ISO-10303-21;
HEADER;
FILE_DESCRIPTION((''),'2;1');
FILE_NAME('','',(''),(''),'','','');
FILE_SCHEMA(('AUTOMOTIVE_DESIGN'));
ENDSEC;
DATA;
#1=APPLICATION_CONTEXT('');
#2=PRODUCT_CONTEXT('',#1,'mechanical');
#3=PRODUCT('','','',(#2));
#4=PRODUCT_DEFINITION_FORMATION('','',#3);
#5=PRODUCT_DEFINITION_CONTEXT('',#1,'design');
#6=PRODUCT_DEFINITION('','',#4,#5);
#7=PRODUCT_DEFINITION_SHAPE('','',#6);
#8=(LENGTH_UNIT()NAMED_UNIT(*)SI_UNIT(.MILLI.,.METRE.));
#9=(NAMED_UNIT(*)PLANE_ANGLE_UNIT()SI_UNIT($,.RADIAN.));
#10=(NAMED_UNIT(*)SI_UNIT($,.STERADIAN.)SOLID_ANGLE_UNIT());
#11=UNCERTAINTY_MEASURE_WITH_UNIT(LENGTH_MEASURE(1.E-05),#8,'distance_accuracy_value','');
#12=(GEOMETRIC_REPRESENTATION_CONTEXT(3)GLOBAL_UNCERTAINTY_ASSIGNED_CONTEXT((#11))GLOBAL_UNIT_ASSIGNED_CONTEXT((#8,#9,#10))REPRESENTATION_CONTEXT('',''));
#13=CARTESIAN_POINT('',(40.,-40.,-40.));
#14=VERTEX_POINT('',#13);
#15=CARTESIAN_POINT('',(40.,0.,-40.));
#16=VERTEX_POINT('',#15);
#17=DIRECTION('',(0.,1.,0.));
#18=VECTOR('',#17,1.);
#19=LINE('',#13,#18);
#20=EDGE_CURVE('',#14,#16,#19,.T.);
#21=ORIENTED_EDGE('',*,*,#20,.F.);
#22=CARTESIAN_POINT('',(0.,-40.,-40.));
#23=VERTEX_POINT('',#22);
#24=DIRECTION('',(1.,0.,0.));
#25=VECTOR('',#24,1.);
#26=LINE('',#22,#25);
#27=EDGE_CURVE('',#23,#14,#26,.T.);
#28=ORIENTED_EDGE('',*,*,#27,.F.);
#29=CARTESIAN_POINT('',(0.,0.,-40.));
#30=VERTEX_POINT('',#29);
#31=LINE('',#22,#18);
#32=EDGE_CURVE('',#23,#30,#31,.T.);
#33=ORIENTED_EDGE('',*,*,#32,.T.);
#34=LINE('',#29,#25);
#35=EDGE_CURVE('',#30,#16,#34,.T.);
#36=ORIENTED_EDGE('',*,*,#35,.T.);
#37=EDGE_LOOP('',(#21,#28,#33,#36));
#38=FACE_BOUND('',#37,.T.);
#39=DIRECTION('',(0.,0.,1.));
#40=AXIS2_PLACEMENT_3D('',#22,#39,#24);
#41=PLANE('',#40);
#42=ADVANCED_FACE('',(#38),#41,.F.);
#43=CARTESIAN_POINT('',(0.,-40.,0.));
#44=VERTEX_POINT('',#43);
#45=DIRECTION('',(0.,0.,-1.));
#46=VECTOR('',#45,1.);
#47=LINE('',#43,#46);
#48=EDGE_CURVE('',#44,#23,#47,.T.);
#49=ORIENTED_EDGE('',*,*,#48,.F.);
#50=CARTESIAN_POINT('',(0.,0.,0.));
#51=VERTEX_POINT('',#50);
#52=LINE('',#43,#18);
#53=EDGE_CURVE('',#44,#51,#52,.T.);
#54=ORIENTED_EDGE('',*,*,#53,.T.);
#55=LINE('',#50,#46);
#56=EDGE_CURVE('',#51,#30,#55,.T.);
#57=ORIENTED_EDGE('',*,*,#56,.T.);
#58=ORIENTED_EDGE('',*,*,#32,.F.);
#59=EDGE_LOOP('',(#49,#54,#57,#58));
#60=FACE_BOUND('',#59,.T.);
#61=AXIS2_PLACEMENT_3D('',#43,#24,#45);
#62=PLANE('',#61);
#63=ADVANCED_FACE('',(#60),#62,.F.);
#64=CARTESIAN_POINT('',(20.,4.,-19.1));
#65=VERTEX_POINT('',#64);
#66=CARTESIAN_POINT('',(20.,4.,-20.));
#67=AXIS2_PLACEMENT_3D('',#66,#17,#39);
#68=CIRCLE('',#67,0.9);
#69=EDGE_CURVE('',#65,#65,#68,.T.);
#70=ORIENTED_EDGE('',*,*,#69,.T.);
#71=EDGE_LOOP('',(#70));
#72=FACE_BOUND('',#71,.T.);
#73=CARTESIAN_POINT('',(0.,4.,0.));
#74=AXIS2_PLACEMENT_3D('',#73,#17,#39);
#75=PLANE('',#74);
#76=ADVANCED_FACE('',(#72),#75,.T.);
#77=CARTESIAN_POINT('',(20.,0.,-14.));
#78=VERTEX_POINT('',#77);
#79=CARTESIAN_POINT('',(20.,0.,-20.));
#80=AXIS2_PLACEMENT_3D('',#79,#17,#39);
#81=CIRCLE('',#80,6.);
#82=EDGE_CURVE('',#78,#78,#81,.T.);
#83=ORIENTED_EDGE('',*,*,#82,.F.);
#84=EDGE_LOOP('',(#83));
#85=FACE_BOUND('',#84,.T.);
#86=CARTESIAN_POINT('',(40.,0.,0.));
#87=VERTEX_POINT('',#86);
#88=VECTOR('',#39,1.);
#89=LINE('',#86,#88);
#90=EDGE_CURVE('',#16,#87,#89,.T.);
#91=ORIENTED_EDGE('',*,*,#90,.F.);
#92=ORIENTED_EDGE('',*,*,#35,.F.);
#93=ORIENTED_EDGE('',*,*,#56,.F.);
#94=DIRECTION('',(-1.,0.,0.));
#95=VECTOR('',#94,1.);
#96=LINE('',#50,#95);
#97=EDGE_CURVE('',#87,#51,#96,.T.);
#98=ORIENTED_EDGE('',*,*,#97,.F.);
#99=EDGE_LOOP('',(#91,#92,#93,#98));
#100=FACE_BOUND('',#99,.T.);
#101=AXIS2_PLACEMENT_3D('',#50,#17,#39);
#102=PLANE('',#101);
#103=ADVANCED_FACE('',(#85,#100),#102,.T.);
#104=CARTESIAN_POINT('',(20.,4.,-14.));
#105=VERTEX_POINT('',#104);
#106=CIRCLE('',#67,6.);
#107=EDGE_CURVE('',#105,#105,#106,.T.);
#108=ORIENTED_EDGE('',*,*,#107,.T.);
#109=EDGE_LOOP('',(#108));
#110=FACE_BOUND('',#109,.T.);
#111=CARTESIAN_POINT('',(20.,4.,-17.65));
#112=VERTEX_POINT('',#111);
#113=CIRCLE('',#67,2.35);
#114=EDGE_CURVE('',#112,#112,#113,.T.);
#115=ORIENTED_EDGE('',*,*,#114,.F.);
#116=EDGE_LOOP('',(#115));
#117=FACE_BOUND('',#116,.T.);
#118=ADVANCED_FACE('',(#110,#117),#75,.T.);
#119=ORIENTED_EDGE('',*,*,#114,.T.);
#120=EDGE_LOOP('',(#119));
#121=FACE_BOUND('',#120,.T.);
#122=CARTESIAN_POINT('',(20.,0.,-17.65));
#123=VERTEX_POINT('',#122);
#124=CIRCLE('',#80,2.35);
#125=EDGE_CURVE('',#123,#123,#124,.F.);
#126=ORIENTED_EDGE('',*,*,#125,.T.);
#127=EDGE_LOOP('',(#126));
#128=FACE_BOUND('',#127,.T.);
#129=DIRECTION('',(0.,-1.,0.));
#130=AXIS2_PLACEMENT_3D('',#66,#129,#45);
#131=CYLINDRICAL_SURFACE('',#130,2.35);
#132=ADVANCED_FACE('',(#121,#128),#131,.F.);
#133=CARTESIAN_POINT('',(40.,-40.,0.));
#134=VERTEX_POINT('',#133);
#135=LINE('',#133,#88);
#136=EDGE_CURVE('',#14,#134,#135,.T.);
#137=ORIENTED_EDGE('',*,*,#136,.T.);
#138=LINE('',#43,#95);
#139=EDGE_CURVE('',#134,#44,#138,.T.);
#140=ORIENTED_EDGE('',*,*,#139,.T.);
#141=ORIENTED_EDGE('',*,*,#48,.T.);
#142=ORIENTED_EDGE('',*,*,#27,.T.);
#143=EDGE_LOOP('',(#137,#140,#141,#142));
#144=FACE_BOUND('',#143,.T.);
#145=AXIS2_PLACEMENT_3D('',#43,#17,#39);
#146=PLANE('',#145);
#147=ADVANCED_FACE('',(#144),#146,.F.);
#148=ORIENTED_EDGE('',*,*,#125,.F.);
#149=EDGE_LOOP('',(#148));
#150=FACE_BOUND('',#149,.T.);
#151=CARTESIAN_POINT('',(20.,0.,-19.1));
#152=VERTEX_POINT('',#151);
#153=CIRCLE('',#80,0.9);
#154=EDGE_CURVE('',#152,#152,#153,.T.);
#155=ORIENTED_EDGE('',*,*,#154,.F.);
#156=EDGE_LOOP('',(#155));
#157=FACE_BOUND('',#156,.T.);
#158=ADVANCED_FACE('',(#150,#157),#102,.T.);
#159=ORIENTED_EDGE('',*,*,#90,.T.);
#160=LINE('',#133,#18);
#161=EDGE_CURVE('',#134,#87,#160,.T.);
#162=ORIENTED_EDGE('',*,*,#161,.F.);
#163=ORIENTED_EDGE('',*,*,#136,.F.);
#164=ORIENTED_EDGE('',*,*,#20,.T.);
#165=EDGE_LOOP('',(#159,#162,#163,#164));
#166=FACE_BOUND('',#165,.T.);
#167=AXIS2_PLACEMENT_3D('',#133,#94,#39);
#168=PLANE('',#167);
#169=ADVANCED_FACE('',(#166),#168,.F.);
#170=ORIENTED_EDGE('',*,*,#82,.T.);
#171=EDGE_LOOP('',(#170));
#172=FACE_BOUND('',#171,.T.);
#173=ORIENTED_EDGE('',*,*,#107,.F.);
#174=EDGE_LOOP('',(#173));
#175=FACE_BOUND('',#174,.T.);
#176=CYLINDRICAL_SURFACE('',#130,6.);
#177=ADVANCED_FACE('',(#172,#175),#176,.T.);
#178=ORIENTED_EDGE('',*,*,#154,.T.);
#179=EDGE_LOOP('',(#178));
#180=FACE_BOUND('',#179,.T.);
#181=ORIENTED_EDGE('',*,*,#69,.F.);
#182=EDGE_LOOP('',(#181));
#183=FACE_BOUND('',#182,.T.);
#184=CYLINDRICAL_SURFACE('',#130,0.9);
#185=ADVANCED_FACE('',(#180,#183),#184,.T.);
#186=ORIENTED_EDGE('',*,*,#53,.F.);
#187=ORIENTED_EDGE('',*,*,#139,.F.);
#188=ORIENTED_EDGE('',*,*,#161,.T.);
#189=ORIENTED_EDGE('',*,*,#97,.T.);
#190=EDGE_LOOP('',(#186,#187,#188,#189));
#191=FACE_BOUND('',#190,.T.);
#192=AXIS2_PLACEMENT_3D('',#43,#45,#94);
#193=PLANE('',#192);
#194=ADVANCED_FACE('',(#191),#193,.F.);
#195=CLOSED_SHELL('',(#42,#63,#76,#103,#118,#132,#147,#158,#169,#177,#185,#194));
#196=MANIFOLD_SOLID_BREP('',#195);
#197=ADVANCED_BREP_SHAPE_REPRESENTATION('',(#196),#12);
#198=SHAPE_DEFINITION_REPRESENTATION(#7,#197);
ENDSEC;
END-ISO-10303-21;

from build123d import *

# Parameters (mm, degrees)
SKETCH_1_W      = 40
SKETCH_1_H      = 40
EXTRUDE_1_DEPTH = 40
SKETCH_1_3_R    = 6
SKETCH_1_3_R_2  = 2.35
SKETCH_1_3_R_3  = 0.9
EXTRUDE_2_DEPTH = 4


with BuildPart() as part:
    # 草图1 → 凸台-拉伸1 (new body)
    with BuildSketch(Plane(origin=(0, 0, 0), x_dir=(1, 0, 0), z_dir=(0, 1, 0))):
        with Locations((20, 20)):
            Rectangle(SKETCH_1_W, SKETCH_1_H)
    extrude(amount=-EXTRUDE_1_DEPTH)

    # 草图1<3> → 凸台-拉伸2 (add)
    # profile 1 of 2: a face of its own
    with BuildSketch(Plane(origin=(0, 0, 0), x_dir=(1, 0, 0), z_dir=(0, 1, 0))):
        with Locations((20, 20)):
            Circle(SKETCH_1_3_R)
        with Locations((20, 20)):
            Circle(SKETCH_1_3_R_2, mode=Mode.SUBTRACT)
    # profile 2 of 2: a face of its own
    with BuildSketch(Plane(origin=(0, 0, 0), x_dir=(1, 0, 0), z_dir=(0, 1, 0))):
        with Locations((20, 20)):
            Circle(SKETCH_1_3_R_3)
    extrude(amount=EXTRUDE_2_DEPTH)


solid = part.part
